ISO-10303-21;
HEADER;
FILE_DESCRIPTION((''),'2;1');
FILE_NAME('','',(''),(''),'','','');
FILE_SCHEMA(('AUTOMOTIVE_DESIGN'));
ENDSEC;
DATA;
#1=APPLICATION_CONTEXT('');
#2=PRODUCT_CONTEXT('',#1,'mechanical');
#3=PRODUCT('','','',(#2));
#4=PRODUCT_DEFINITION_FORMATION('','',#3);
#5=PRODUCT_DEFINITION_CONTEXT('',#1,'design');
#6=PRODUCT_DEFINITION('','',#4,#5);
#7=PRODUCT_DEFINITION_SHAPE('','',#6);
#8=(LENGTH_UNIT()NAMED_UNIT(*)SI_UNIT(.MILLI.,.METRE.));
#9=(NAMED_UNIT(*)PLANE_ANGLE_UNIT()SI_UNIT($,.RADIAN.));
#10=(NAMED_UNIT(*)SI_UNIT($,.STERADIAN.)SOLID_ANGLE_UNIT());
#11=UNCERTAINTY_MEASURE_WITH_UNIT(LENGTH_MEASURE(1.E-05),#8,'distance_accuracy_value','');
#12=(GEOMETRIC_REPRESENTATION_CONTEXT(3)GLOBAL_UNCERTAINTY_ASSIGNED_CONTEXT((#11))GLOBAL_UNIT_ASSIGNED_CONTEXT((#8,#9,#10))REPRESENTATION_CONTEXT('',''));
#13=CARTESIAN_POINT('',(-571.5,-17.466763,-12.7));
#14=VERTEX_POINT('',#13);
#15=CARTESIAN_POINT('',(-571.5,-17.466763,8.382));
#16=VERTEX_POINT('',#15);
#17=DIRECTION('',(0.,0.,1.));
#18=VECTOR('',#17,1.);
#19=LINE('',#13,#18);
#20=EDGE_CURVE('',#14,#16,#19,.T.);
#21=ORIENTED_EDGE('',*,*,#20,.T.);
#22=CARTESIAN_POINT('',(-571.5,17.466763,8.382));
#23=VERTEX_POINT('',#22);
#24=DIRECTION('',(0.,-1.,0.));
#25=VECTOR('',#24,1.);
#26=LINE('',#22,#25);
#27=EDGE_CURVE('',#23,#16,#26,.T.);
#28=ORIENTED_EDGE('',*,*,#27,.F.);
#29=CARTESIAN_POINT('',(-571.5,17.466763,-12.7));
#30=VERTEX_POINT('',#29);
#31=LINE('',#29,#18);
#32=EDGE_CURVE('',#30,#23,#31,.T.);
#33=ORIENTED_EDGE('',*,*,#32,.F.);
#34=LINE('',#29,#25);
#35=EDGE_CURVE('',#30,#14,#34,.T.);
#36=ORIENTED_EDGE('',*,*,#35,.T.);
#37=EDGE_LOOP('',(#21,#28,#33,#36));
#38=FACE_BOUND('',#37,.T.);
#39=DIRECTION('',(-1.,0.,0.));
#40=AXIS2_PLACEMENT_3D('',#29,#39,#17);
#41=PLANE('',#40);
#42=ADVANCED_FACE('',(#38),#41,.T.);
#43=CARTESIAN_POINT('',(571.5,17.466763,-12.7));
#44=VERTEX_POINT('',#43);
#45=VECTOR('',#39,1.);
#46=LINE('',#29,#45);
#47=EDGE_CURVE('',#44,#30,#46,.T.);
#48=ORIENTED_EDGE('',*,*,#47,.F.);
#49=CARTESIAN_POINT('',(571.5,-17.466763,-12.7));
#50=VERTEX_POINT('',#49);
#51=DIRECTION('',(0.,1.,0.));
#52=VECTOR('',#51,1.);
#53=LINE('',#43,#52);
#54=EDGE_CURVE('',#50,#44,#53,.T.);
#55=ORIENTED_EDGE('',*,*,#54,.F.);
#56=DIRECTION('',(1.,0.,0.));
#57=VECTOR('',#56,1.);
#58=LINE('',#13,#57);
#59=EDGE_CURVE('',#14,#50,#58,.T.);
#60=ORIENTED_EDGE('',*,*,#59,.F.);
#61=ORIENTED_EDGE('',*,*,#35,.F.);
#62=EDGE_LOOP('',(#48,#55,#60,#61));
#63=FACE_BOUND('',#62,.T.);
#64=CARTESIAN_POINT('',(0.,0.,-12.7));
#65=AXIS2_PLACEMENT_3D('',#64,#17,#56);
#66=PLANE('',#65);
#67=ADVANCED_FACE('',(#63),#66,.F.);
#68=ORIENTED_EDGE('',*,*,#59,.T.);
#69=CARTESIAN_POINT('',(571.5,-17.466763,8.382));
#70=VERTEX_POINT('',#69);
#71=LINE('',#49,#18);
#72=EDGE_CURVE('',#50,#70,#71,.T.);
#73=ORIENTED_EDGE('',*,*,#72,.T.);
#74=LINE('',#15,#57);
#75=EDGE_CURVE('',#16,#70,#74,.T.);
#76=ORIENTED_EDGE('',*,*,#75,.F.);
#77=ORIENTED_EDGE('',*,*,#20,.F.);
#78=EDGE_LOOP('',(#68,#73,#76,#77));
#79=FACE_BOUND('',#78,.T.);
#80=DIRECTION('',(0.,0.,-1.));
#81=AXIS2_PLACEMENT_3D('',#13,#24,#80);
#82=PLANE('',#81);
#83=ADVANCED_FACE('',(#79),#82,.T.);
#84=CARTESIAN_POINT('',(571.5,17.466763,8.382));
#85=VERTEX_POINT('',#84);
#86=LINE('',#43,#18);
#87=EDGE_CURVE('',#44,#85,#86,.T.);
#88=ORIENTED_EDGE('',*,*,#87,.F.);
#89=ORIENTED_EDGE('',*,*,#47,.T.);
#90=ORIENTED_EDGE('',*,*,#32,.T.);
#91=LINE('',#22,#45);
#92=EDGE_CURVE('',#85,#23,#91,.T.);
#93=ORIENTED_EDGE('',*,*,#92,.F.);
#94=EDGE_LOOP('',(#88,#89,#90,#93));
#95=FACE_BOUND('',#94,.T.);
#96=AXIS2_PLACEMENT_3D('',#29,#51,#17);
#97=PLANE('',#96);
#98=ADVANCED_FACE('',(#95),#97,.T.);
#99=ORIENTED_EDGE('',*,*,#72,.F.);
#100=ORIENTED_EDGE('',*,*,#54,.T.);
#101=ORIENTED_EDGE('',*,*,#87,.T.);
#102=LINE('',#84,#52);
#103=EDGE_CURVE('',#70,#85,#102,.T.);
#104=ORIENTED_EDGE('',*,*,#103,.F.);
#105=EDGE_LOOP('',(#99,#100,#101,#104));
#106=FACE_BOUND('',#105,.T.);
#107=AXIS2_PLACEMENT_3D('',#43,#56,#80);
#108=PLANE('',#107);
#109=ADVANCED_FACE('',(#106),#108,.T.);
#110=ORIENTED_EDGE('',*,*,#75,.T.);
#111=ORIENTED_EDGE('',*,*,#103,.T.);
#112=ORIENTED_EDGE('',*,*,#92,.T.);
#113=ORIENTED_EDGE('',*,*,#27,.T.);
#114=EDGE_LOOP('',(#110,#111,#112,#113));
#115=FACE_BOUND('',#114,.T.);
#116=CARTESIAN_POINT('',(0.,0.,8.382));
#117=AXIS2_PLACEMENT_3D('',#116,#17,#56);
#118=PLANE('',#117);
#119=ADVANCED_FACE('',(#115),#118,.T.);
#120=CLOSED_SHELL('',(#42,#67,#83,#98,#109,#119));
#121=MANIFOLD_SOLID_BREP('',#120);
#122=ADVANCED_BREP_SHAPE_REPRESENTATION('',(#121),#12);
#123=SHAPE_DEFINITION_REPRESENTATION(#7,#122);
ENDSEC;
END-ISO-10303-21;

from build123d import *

# Parameters (mm, degrees)
BOSS_EXTRUDE1_DEPTH      = 8.382
BOSS_EXTRUDE1_DEPTH_BACK = 12.7
SKETCH1_W                = 1143
SKETCH1_H                = 34.933525114


with BuildPart() as part:
    # Sketch1 → Boss-Extrude1 (new, two sides: drawn at the far end of the back side and taken through both)
    with BuildSketch(Plane.XY.offset(-BOSS_EXTRUDE1_DEPTH_BACK)):
        Rectangle(SKETCH1_W, SKETCH1_H)
    extrude(amount=BOSS_EXTRUDE1_DEPTH + BOSS_EXTRUDE1_DEPTH_BACK)


solid = part.part
